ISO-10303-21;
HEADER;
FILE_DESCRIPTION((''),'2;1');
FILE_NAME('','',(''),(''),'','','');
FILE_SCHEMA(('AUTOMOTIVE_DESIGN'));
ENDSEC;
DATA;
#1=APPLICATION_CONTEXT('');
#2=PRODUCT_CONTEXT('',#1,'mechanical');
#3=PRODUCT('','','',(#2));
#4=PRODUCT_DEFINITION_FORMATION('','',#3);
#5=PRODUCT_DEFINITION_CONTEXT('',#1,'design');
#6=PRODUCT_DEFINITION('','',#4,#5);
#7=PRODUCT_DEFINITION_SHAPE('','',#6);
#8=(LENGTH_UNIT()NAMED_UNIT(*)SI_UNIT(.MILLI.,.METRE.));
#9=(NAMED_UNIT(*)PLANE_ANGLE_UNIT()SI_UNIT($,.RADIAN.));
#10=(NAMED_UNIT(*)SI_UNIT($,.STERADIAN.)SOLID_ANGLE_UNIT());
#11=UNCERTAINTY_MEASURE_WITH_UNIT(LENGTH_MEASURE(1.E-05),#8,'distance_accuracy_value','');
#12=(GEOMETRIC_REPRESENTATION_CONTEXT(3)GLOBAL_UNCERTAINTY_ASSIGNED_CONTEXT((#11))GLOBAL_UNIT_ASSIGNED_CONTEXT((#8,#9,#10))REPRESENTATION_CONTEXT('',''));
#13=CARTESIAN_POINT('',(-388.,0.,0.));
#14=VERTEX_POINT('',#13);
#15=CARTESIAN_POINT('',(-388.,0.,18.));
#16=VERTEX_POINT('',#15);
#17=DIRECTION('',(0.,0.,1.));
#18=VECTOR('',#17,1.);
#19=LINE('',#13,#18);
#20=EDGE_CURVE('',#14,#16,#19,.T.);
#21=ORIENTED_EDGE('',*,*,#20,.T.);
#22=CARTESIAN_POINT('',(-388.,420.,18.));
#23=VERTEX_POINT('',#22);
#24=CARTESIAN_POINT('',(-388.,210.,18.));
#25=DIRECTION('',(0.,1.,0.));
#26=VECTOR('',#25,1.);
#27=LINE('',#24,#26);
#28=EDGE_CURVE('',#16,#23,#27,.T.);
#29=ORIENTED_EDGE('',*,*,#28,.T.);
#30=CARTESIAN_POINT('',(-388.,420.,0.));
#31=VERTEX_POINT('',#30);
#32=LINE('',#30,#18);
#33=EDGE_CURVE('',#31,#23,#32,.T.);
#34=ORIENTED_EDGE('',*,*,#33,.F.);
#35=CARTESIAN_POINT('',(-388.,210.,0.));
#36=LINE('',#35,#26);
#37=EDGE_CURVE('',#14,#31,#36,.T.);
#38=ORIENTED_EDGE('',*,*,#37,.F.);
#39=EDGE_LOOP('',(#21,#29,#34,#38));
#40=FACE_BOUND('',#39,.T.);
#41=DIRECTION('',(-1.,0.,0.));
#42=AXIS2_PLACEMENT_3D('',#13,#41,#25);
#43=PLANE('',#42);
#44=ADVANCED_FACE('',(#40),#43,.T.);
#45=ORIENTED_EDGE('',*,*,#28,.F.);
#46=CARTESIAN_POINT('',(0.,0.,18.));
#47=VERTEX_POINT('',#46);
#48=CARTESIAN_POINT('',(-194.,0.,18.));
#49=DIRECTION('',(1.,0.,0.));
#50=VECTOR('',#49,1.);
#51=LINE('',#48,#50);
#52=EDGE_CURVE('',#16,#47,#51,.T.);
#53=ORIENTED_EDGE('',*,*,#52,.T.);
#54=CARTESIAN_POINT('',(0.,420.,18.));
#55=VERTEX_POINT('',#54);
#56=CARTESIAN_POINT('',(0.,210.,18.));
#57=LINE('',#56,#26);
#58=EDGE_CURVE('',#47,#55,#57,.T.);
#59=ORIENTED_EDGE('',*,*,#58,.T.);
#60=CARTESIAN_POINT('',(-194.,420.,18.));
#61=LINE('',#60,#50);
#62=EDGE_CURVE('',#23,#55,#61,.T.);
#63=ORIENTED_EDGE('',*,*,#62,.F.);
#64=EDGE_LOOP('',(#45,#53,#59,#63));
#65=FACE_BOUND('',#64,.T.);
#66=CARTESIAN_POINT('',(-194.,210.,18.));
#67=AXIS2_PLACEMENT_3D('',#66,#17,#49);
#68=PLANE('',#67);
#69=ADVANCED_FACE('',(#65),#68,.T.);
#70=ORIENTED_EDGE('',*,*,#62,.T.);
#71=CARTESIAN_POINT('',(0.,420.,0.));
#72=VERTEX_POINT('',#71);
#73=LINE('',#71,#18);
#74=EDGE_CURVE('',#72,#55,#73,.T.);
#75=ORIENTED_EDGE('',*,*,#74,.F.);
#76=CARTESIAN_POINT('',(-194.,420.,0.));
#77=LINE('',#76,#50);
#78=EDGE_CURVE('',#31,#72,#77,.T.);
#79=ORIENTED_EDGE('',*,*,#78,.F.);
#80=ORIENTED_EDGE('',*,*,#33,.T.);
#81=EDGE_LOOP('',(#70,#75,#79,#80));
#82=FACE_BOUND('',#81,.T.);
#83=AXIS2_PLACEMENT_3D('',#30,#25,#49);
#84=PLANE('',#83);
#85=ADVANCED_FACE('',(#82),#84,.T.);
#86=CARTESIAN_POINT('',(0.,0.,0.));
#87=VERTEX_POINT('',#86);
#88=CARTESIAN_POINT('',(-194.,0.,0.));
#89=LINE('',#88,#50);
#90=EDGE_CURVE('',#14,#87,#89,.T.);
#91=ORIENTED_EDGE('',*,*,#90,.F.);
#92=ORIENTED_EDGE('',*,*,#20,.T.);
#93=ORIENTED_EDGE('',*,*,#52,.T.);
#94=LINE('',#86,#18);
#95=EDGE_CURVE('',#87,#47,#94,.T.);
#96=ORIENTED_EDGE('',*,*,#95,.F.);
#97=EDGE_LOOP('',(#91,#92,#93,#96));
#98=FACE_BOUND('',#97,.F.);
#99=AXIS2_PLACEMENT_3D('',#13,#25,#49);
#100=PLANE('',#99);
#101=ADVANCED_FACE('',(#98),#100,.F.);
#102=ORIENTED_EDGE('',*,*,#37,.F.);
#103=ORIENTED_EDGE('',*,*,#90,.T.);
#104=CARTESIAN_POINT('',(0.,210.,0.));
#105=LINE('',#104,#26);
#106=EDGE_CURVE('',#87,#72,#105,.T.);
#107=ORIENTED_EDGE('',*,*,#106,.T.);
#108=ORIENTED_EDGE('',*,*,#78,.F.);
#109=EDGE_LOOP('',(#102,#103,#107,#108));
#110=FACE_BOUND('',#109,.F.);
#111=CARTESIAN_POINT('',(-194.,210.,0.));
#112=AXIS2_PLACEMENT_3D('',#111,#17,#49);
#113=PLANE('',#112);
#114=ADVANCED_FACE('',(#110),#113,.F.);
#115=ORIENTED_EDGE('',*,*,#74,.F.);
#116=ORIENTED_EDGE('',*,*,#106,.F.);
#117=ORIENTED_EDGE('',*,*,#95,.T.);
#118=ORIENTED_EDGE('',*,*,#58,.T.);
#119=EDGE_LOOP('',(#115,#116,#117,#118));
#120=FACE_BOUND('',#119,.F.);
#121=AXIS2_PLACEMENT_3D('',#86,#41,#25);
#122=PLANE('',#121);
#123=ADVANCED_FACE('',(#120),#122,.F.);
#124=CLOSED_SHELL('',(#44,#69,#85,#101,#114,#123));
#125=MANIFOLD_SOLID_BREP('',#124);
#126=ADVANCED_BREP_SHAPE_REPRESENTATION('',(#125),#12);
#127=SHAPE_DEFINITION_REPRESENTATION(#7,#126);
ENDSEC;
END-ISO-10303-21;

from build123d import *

# Parameters (mm, degrees)
SKETCH_W  = 388
SKETCH_H  = 420
PAD_DEPTH = 18


with BuildPart() as part:
    # Sketch → Pad (new body)
    with BuildSketch(Plane.XY):
        with Locations((-194, 210)):
            Rectangle(SKETCH_W, SKETCH_H)
    extrude(amount=PAD_DEPTH)


solid = part.part
